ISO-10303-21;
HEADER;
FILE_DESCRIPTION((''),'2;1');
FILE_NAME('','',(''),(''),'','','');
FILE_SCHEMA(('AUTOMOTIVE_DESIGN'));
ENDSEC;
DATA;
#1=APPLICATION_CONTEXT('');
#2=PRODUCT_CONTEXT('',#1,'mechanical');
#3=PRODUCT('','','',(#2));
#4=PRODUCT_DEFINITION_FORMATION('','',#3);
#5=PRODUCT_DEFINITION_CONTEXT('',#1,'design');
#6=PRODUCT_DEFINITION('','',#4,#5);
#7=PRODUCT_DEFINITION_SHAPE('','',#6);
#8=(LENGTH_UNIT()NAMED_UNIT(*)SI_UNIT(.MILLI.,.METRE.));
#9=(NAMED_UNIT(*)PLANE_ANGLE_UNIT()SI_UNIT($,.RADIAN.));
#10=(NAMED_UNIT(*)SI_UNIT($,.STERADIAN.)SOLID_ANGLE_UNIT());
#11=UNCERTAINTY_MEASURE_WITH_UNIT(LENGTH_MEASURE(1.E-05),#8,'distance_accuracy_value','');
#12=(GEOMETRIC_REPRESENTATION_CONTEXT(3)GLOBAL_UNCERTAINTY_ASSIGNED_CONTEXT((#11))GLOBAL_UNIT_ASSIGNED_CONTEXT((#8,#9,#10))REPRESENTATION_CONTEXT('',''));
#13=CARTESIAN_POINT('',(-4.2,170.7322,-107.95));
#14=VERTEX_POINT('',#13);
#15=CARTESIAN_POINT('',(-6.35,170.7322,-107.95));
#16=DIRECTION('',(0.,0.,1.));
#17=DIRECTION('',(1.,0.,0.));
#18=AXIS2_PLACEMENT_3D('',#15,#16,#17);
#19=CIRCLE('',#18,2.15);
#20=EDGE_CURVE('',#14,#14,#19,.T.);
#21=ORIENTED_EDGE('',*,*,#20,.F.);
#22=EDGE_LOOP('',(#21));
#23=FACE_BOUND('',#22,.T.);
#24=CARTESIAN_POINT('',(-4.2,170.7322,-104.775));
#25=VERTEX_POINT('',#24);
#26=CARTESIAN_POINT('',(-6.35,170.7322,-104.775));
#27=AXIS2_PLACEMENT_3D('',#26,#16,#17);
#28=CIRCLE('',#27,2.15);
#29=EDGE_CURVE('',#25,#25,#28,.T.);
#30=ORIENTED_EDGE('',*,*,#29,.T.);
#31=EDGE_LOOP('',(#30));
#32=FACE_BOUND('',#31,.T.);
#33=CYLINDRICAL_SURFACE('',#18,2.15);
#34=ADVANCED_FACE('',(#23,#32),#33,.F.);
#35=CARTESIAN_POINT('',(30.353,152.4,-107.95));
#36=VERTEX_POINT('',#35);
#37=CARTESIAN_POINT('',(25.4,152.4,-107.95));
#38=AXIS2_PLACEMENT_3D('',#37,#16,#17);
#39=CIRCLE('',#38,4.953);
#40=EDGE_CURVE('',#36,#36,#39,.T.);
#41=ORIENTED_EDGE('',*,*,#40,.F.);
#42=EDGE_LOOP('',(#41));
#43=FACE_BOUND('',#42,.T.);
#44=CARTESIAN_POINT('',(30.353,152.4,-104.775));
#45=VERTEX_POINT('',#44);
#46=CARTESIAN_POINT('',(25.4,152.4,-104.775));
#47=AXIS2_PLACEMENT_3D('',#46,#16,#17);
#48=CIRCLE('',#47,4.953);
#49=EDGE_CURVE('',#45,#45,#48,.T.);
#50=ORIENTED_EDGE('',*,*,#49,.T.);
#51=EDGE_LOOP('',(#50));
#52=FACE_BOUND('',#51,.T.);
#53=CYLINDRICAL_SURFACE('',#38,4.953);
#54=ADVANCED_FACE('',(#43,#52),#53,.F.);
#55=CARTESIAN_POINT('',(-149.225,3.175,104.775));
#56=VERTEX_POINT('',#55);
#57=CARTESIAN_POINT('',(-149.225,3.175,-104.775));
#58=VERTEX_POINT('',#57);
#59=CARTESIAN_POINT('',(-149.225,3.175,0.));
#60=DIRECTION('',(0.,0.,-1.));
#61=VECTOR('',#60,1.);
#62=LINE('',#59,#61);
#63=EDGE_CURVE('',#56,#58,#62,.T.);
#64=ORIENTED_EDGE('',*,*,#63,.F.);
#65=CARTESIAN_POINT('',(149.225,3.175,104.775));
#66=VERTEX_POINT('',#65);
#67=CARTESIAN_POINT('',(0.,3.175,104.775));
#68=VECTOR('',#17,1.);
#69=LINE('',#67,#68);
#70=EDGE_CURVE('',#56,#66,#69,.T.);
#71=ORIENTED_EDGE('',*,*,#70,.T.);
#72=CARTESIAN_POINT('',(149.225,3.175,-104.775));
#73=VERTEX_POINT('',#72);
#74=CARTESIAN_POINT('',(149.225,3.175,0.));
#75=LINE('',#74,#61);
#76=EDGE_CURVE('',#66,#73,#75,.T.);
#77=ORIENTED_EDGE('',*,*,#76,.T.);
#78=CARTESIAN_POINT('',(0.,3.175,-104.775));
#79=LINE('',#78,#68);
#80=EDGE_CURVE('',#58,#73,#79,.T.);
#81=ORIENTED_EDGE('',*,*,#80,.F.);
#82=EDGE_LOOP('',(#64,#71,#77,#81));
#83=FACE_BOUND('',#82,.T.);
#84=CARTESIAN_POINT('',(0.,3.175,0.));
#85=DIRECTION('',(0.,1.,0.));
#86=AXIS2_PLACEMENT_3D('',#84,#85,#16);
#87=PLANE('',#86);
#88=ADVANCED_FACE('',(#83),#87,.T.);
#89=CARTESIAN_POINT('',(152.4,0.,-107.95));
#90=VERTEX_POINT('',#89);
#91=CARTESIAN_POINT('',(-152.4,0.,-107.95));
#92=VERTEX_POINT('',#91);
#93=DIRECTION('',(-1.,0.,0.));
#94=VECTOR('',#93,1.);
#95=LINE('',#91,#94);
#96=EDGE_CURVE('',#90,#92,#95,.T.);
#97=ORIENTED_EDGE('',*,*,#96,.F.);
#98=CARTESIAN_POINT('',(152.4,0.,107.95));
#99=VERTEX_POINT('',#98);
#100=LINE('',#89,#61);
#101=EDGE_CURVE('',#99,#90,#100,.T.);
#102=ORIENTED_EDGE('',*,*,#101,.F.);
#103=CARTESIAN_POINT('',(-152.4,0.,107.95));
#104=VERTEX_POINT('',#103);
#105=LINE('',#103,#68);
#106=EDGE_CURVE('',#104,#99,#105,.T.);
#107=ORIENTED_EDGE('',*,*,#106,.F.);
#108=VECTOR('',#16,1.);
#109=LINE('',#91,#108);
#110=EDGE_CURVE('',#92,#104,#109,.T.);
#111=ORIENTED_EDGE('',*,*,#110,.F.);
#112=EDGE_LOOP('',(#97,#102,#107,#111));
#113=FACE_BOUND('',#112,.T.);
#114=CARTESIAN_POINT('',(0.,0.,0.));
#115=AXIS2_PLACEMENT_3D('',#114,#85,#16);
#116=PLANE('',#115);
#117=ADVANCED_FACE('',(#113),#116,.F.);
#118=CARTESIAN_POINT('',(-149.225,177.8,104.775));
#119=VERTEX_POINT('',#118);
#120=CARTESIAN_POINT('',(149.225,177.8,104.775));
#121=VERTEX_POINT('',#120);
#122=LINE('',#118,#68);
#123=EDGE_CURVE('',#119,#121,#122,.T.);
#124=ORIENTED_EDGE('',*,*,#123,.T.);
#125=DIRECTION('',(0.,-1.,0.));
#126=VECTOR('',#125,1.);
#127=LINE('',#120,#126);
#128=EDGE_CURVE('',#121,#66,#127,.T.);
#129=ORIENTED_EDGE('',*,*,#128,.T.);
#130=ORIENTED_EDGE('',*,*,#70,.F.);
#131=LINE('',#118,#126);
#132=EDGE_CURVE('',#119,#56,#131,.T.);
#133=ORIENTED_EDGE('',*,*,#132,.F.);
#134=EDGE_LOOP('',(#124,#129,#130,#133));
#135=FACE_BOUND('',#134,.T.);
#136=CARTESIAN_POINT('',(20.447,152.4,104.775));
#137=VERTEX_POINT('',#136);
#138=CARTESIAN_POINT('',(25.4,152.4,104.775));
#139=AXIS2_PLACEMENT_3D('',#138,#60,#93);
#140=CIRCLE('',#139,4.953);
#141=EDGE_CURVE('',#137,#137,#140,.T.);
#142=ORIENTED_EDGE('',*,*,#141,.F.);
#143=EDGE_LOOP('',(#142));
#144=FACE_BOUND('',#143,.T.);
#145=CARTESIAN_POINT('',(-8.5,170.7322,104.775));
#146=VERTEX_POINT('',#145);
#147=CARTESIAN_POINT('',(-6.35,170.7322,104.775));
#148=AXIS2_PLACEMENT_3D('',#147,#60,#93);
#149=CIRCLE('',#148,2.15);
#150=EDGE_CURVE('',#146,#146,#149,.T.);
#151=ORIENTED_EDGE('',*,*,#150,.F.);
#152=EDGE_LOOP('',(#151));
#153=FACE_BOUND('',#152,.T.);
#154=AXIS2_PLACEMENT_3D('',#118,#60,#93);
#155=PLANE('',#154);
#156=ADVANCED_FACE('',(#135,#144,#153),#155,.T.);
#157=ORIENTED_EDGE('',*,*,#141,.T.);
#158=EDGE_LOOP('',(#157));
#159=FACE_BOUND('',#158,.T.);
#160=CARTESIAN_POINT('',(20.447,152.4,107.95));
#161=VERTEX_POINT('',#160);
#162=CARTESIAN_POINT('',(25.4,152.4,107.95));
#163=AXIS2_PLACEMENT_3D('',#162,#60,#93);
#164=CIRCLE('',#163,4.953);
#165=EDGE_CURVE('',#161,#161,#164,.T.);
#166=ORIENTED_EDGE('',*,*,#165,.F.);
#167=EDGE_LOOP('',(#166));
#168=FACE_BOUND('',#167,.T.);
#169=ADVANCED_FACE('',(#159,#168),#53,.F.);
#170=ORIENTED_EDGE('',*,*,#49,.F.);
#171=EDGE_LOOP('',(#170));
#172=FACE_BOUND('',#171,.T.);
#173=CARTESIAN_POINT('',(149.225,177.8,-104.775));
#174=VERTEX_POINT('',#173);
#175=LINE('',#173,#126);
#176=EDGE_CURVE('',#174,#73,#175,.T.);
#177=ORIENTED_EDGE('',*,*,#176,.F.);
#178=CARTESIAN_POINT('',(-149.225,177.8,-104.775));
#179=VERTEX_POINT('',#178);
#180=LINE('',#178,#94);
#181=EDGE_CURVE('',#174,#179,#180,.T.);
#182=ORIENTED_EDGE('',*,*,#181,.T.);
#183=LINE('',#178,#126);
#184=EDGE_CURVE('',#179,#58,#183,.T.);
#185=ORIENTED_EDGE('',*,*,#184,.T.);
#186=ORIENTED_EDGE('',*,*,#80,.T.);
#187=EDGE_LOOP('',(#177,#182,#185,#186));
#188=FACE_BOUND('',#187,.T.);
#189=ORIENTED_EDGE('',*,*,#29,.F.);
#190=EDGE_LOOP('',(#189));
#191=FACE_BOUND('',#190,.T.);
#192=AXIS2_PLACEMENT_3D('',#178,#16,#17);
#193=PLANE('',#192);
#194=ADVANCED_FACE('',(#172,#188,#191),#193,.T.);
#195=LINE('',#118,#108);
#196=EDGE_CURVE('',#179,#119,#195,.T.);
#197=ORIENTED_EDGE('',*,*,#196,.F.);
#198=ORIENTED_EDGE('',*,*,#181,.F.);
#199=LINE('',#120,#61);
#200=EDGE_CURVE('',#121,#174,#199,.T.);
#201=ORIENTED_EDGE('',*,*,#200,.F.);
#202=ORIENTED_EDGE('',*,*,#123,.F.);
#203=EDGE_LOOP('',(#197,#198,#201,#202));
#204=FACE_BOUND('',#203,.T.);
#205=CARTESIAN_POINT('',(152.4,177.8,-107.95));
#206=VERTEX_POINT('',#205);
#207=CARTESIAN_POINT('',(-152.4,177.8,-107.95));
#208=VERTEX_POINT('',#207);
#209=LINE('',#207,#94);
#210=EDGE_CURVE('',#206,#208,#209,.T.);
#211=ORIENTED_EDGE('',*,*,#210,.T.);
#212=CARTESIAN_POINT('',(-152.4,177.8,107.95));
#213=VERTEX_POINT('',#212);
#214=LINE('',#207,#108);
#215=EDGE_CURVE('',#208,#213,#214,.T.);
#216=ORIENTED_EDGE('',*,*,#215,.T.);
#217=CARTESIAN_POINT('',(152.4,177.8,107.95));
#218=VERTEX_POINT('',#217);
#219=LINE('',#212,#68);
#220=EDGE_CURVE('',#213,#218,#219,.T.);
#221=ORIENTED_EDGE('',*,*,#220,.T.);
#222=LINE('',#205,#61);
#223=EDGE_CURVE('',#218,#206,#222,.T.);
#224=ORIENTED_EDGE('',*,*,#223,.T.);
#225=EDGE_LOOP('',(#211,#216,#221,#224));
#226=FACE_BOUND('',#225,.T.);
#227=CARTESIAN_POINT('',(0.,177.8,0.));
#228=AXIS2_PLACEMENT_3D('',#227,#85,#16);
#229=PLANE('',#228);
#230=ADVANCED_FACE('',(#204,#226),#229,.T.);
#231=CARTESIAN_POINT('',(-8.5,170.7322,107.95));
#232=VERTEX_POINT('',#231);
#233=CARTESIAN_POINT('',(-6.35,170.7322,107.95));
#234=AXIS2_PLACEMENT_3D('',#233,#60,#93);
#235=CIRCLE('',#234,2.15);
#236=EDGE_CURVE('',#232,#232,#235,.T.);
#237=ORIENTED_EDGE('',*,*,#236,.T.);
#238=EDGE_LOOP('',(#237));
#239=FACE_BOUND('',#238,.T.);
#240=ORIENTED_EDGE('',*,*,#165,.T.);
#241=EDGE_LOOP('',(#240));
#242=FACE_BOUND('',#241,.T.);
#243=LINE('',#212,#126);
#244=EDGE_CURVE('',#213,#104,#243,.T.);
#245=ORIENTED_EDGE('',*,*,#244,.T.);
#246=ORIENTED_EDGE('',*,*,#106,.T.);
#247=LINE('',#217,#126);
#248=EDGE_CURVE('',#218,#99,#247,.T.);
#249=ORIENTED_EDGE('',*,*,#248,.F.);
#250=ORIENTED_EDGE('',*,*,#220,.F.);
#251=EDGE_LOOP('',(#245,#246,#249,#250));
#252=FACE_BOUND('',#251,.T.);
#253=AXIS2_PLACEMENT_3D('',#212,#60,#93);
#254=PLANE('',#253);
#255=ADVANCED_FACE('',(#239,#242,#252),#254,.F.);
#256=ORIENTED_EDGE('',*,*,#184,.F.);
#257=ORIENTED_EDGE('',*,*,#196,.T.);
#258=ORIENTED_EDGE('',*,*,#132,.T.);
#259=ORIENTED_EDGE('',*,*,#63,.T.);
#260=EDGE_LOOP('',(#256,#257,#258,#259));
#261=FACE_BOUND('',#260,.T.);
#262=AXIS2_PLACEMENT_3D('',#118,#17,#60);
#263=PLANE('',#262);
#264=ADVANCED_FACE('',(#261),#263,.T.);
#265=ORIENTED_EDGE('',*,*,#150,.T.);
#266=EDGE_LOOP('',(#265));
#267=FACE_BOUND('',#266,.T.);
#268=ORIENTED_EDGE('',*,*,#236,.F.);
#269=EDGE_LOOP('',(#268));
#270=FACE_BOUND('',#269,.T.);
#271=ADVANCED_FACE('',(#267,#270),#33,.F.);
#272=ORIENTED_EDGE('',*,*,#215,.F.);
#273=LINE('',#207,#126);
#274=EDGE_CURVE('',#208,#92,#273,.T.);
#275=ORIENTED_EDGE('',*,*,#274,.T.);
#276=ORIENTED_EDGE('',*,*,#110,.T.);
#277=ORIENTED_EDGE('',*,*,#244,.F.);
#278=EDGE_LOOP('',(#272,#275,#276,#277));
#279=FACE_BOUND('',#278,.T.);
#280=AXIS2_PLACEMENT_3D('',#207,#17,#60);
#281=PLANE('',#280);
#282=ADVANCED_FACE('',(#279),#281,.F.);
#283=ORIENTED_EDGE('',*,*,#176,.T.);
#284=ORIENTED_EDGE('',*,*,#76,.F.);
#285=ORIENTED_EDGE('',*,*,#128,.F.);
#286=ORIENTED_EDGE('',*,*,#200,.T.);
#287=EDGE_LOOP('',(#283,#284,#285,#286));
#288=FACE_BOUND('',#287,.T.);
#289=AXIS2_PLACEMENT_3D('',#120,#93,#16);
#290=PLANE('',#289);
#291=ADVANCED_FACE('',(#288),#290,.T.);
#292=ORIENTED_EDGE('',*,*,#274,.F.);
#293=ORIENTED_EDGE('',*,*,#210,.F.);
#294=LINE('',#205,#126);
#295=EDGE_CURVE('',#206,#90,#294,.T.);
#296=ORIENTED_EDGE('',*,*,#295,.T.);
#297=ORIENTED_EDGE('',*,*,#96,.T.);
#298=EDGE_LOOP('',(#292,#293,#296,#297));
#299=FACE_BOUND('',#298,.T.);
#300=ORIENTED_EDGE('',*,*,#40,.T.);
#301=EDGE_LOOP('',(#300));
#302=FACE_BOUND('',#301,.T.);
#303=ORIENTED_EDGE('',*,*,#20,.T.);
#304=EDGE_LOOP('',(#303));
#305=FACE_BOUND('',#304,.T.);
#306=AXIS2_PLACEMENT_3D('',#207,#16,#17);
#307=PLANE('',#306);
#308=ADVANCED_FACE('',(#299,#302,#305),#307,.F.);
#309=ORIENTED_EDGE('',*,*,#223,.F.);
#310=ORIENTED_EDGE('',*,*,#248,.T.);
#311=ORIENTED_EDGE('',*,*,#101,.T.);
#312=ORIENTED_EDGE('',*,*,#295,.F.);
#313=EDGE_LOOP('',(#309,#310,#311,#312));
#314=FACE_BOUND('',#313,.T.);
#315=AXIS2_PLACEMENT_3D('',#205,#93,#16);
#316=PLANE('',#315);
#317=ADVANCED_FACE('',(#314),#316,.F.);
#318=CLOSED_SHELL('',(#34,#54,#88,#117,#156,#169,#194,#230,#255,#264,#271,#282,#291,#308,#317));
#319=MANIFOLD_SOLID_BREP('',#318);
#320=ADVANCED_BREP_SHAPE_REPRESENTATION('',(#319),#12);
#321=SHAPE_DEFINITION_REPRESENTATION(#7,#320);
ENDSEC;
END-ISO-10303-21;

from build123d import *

# Parameters (mm, degrees)
SKETCH1_W               = 298.45
SKETCH1_H               = 209.55
BOSS_EXTRUDE1_DEPTH     = 3.175
SKETCH1_3_W             = 304.8
SKETCH1_3_H             = 215.9
SKETCH1_3_W_2           = 298.45
SKETCH1_3_H_2           = 209.55
BOSS_EXTRUDE2_DEPTH     = 177.8
SKETCH2_R               = 4.953
SKETCH2_R_2             = 2.15
CUT_EXTRUDE1_DEPTH      = 1
CUT_EXTRUDE1_DEPTH_BACK = 216.9


with BuildPart() as part:
    # Sketch1 → Boss-Extrude1 (new body)
    with BuildSketch(Plane(origin=(0, 0, 0), x_dir=(1, 0, 0), z_dir=(0, 1, 0))):
        Rectangle(SKETCH1_W, SKETCH1_H)
    extrude(amount=BOSS_EXTRUDE1_DEPTH)

    # Sketch1<3> → Boss-Extrude2 (add)
    with BuildSketch(Plane(origin=(0, 0, 0), x_dir=(1, 0, 0), z_dir=(0, 1, 0))):
        Rectangle(SKETCH1_3_W, SKETCH1_3_H)
        Rectangle(SKETCH1_3_W_2, SKETCH1_3_H_2, mode=Mode.SUBTRACT)
    extrude(amount=BOSS_EXTRUDE2_DEPTH)

    # Sketch2 → Cut-Extrude1 (cut, two sides)
    with BuildSketch(Plane.XY.offset(107.95)) as cut_extrude1_sk:
        with Locations((25.4, 152.4)):
            Circle(SKETCH2_R)
        with Locations((-6.35, 170.7322)):
            Circle(SKETCH2_R_2)
    extrude(amount=CUT_EXTRUDE1_DEPTH, mode=Mode.SUBTRACT)
    extrude(cut_extrude1_sk.sketch, amount=-CUT_EXTRUDE1_DEPTH_BACK, mode=Mode.SUBTRACT)


solid = part.part
